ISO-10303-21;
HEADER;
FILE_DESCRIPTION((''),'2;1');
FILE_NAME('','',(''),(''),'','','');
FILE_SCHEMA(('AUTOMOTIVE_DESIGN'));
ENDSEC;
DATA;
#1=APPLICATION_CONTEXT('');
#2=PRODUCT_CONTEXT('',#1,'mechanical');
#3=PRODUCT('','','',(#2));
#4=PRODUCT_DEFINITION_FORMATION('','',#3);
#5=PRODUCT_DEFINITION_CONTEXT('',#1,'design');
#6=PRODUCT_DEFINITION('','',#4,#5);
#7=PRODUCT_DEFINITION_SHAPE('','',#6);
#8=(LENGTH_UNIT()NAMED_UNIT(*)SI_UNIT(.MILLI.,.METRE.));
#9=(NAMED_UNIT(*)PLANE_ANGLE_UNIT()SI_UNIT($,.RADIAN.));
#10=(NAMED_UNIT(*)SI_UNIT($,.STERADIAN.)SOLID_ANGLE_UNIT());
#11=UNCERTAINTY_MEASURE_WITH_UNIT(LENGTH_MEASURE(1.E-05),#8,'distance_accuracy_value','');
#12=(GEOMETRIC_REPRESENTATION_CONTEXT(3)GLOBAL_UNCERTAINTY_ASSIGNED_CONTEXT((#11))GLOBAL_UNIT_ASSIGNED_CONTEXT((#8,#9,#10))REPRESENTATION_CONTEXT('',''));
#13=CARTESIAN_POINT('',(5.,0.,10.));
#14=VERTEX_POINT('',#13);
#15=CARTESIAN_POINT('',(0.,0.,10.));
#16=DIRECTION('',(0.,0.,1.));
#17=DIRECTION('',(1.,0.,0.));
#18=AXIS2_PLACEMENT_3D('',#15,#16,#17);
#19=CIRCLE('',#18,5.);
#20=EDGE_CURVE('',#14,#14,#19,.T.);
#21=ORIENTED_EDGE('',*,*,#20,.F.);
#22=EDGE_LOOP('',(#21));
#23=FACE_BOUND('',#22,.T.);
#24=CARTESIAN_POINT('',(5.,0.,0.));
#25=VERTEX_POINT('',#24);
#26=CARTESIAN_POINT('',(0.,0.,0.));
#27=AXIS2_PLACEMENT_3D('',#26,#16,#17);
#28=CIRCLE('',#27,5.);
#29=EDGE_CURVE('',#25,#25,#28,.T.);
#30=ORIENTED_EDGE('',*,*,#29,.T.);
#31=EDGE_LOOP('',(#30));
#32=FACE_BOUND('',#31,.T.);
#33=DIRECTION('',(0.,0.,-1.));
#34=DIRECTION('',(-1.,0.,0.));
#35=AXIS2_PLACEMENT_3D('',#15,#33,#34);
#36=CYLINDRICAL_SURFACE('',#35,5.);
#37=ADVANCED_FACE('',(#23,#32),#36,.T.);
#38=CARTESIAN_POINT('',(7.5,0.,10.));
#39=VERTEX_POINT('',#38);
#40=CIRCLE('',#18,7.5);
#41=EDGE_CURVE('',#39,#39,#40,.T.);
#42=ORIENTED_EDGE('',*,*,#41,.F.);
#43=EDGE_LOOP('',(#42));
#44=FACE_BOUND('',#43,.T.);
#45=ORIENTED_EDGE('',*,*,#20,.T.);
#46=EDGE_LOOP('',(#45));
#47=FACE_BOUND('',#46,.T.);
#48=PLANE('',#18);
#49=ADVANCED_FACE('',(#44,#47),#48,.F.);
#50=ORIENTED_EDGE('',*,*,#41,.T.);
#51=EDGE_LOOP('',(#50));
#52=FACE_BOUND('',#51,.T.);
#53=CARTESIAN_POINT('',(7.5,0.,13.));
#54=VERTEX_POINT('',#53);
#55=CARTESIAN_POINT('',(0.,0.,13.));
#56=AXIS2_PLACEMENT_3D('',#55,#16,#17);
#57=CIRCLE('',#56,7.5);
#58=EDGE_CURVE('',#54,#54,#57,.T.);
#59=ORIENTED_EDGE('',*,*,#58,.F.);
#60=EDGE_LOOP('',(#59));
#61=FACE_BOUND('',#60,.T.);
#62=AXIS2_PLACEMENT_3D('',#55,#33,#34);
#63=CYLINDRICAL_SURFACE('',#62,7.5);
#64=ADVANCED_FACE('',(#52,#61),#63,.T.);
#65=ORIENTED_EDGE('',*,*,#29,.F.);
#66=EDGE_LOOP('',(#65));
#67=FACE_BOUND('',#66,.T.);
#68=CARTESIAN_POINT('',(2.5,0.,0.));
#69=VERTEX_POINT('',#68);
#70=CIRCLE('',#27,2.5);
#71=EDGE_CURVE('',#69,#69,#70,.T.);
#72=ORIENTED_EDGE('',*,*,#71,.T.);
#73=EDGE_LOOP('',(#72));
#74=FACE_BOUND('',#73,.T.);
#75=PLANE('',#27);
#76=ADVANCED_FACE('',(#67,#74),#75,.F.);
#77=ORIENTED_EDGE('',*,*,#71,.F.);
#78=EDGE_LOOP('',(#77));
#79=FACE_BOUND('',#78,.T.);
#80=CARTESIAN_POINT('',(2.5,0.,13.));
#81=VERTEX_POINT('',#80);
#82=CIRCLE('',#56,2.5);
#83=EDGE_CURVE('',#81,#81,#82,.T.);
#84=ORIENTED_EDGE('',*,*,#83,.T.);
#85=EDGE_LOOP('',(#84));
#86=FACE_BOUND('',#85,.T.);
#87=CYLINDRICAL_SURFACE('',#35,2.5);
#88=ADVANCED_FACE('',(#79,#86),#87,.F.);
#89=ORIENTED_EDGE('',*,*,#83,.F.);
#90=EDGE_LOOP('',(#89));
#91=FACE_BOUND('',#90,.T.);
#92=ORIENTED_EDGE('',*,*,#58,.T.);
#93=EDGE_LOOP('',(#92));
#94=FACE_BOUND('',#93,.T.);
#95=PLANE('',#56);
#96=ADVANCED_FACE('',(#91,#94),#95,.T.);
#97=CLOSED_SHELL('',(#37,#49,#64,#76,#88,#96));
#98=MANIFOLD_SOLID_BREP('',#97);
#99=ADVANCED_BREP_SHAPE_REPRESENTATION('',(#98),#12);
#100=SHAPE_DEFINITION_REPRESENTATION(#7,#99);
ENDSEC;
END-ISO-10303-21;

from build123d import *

# Parameters (mm, degrees)
CROQUIS1_R              = 5
CROQUIS1_R_2            = 2.5
SALIENTE_EXTRUIR1_DEPTH = 10
CROQUIS2_R              = 7.5
CROQUIS2_R_2            = 2.5
SALIENTE_EXTRUIR2_DEPTH = 3


with BuildPart() as part:
    # Croquis1 → Saliente-Extruir1 (new body)
    with BuildSketch(Plane.XY):
        Circle(CROQUIS1_R)
        Circle(CROQUIS1_R_2, mode=Mode.SUBTRACT)
    extrude(amount=SALIENTE_EXTRUIR1_DEPTH)

    # Croquis2 → Saliente-Extruir2 (add)
    with BuildSketch(Plane.XY.offset(10)):
        Circle(CROQUIS2_R)
        Circle(CROQUIS2_R_2, mode=Mode.SUBTRACT)
    extrude(amount=SALIENTE_EXTRUIR2_DEPTH)


solid = part.part
